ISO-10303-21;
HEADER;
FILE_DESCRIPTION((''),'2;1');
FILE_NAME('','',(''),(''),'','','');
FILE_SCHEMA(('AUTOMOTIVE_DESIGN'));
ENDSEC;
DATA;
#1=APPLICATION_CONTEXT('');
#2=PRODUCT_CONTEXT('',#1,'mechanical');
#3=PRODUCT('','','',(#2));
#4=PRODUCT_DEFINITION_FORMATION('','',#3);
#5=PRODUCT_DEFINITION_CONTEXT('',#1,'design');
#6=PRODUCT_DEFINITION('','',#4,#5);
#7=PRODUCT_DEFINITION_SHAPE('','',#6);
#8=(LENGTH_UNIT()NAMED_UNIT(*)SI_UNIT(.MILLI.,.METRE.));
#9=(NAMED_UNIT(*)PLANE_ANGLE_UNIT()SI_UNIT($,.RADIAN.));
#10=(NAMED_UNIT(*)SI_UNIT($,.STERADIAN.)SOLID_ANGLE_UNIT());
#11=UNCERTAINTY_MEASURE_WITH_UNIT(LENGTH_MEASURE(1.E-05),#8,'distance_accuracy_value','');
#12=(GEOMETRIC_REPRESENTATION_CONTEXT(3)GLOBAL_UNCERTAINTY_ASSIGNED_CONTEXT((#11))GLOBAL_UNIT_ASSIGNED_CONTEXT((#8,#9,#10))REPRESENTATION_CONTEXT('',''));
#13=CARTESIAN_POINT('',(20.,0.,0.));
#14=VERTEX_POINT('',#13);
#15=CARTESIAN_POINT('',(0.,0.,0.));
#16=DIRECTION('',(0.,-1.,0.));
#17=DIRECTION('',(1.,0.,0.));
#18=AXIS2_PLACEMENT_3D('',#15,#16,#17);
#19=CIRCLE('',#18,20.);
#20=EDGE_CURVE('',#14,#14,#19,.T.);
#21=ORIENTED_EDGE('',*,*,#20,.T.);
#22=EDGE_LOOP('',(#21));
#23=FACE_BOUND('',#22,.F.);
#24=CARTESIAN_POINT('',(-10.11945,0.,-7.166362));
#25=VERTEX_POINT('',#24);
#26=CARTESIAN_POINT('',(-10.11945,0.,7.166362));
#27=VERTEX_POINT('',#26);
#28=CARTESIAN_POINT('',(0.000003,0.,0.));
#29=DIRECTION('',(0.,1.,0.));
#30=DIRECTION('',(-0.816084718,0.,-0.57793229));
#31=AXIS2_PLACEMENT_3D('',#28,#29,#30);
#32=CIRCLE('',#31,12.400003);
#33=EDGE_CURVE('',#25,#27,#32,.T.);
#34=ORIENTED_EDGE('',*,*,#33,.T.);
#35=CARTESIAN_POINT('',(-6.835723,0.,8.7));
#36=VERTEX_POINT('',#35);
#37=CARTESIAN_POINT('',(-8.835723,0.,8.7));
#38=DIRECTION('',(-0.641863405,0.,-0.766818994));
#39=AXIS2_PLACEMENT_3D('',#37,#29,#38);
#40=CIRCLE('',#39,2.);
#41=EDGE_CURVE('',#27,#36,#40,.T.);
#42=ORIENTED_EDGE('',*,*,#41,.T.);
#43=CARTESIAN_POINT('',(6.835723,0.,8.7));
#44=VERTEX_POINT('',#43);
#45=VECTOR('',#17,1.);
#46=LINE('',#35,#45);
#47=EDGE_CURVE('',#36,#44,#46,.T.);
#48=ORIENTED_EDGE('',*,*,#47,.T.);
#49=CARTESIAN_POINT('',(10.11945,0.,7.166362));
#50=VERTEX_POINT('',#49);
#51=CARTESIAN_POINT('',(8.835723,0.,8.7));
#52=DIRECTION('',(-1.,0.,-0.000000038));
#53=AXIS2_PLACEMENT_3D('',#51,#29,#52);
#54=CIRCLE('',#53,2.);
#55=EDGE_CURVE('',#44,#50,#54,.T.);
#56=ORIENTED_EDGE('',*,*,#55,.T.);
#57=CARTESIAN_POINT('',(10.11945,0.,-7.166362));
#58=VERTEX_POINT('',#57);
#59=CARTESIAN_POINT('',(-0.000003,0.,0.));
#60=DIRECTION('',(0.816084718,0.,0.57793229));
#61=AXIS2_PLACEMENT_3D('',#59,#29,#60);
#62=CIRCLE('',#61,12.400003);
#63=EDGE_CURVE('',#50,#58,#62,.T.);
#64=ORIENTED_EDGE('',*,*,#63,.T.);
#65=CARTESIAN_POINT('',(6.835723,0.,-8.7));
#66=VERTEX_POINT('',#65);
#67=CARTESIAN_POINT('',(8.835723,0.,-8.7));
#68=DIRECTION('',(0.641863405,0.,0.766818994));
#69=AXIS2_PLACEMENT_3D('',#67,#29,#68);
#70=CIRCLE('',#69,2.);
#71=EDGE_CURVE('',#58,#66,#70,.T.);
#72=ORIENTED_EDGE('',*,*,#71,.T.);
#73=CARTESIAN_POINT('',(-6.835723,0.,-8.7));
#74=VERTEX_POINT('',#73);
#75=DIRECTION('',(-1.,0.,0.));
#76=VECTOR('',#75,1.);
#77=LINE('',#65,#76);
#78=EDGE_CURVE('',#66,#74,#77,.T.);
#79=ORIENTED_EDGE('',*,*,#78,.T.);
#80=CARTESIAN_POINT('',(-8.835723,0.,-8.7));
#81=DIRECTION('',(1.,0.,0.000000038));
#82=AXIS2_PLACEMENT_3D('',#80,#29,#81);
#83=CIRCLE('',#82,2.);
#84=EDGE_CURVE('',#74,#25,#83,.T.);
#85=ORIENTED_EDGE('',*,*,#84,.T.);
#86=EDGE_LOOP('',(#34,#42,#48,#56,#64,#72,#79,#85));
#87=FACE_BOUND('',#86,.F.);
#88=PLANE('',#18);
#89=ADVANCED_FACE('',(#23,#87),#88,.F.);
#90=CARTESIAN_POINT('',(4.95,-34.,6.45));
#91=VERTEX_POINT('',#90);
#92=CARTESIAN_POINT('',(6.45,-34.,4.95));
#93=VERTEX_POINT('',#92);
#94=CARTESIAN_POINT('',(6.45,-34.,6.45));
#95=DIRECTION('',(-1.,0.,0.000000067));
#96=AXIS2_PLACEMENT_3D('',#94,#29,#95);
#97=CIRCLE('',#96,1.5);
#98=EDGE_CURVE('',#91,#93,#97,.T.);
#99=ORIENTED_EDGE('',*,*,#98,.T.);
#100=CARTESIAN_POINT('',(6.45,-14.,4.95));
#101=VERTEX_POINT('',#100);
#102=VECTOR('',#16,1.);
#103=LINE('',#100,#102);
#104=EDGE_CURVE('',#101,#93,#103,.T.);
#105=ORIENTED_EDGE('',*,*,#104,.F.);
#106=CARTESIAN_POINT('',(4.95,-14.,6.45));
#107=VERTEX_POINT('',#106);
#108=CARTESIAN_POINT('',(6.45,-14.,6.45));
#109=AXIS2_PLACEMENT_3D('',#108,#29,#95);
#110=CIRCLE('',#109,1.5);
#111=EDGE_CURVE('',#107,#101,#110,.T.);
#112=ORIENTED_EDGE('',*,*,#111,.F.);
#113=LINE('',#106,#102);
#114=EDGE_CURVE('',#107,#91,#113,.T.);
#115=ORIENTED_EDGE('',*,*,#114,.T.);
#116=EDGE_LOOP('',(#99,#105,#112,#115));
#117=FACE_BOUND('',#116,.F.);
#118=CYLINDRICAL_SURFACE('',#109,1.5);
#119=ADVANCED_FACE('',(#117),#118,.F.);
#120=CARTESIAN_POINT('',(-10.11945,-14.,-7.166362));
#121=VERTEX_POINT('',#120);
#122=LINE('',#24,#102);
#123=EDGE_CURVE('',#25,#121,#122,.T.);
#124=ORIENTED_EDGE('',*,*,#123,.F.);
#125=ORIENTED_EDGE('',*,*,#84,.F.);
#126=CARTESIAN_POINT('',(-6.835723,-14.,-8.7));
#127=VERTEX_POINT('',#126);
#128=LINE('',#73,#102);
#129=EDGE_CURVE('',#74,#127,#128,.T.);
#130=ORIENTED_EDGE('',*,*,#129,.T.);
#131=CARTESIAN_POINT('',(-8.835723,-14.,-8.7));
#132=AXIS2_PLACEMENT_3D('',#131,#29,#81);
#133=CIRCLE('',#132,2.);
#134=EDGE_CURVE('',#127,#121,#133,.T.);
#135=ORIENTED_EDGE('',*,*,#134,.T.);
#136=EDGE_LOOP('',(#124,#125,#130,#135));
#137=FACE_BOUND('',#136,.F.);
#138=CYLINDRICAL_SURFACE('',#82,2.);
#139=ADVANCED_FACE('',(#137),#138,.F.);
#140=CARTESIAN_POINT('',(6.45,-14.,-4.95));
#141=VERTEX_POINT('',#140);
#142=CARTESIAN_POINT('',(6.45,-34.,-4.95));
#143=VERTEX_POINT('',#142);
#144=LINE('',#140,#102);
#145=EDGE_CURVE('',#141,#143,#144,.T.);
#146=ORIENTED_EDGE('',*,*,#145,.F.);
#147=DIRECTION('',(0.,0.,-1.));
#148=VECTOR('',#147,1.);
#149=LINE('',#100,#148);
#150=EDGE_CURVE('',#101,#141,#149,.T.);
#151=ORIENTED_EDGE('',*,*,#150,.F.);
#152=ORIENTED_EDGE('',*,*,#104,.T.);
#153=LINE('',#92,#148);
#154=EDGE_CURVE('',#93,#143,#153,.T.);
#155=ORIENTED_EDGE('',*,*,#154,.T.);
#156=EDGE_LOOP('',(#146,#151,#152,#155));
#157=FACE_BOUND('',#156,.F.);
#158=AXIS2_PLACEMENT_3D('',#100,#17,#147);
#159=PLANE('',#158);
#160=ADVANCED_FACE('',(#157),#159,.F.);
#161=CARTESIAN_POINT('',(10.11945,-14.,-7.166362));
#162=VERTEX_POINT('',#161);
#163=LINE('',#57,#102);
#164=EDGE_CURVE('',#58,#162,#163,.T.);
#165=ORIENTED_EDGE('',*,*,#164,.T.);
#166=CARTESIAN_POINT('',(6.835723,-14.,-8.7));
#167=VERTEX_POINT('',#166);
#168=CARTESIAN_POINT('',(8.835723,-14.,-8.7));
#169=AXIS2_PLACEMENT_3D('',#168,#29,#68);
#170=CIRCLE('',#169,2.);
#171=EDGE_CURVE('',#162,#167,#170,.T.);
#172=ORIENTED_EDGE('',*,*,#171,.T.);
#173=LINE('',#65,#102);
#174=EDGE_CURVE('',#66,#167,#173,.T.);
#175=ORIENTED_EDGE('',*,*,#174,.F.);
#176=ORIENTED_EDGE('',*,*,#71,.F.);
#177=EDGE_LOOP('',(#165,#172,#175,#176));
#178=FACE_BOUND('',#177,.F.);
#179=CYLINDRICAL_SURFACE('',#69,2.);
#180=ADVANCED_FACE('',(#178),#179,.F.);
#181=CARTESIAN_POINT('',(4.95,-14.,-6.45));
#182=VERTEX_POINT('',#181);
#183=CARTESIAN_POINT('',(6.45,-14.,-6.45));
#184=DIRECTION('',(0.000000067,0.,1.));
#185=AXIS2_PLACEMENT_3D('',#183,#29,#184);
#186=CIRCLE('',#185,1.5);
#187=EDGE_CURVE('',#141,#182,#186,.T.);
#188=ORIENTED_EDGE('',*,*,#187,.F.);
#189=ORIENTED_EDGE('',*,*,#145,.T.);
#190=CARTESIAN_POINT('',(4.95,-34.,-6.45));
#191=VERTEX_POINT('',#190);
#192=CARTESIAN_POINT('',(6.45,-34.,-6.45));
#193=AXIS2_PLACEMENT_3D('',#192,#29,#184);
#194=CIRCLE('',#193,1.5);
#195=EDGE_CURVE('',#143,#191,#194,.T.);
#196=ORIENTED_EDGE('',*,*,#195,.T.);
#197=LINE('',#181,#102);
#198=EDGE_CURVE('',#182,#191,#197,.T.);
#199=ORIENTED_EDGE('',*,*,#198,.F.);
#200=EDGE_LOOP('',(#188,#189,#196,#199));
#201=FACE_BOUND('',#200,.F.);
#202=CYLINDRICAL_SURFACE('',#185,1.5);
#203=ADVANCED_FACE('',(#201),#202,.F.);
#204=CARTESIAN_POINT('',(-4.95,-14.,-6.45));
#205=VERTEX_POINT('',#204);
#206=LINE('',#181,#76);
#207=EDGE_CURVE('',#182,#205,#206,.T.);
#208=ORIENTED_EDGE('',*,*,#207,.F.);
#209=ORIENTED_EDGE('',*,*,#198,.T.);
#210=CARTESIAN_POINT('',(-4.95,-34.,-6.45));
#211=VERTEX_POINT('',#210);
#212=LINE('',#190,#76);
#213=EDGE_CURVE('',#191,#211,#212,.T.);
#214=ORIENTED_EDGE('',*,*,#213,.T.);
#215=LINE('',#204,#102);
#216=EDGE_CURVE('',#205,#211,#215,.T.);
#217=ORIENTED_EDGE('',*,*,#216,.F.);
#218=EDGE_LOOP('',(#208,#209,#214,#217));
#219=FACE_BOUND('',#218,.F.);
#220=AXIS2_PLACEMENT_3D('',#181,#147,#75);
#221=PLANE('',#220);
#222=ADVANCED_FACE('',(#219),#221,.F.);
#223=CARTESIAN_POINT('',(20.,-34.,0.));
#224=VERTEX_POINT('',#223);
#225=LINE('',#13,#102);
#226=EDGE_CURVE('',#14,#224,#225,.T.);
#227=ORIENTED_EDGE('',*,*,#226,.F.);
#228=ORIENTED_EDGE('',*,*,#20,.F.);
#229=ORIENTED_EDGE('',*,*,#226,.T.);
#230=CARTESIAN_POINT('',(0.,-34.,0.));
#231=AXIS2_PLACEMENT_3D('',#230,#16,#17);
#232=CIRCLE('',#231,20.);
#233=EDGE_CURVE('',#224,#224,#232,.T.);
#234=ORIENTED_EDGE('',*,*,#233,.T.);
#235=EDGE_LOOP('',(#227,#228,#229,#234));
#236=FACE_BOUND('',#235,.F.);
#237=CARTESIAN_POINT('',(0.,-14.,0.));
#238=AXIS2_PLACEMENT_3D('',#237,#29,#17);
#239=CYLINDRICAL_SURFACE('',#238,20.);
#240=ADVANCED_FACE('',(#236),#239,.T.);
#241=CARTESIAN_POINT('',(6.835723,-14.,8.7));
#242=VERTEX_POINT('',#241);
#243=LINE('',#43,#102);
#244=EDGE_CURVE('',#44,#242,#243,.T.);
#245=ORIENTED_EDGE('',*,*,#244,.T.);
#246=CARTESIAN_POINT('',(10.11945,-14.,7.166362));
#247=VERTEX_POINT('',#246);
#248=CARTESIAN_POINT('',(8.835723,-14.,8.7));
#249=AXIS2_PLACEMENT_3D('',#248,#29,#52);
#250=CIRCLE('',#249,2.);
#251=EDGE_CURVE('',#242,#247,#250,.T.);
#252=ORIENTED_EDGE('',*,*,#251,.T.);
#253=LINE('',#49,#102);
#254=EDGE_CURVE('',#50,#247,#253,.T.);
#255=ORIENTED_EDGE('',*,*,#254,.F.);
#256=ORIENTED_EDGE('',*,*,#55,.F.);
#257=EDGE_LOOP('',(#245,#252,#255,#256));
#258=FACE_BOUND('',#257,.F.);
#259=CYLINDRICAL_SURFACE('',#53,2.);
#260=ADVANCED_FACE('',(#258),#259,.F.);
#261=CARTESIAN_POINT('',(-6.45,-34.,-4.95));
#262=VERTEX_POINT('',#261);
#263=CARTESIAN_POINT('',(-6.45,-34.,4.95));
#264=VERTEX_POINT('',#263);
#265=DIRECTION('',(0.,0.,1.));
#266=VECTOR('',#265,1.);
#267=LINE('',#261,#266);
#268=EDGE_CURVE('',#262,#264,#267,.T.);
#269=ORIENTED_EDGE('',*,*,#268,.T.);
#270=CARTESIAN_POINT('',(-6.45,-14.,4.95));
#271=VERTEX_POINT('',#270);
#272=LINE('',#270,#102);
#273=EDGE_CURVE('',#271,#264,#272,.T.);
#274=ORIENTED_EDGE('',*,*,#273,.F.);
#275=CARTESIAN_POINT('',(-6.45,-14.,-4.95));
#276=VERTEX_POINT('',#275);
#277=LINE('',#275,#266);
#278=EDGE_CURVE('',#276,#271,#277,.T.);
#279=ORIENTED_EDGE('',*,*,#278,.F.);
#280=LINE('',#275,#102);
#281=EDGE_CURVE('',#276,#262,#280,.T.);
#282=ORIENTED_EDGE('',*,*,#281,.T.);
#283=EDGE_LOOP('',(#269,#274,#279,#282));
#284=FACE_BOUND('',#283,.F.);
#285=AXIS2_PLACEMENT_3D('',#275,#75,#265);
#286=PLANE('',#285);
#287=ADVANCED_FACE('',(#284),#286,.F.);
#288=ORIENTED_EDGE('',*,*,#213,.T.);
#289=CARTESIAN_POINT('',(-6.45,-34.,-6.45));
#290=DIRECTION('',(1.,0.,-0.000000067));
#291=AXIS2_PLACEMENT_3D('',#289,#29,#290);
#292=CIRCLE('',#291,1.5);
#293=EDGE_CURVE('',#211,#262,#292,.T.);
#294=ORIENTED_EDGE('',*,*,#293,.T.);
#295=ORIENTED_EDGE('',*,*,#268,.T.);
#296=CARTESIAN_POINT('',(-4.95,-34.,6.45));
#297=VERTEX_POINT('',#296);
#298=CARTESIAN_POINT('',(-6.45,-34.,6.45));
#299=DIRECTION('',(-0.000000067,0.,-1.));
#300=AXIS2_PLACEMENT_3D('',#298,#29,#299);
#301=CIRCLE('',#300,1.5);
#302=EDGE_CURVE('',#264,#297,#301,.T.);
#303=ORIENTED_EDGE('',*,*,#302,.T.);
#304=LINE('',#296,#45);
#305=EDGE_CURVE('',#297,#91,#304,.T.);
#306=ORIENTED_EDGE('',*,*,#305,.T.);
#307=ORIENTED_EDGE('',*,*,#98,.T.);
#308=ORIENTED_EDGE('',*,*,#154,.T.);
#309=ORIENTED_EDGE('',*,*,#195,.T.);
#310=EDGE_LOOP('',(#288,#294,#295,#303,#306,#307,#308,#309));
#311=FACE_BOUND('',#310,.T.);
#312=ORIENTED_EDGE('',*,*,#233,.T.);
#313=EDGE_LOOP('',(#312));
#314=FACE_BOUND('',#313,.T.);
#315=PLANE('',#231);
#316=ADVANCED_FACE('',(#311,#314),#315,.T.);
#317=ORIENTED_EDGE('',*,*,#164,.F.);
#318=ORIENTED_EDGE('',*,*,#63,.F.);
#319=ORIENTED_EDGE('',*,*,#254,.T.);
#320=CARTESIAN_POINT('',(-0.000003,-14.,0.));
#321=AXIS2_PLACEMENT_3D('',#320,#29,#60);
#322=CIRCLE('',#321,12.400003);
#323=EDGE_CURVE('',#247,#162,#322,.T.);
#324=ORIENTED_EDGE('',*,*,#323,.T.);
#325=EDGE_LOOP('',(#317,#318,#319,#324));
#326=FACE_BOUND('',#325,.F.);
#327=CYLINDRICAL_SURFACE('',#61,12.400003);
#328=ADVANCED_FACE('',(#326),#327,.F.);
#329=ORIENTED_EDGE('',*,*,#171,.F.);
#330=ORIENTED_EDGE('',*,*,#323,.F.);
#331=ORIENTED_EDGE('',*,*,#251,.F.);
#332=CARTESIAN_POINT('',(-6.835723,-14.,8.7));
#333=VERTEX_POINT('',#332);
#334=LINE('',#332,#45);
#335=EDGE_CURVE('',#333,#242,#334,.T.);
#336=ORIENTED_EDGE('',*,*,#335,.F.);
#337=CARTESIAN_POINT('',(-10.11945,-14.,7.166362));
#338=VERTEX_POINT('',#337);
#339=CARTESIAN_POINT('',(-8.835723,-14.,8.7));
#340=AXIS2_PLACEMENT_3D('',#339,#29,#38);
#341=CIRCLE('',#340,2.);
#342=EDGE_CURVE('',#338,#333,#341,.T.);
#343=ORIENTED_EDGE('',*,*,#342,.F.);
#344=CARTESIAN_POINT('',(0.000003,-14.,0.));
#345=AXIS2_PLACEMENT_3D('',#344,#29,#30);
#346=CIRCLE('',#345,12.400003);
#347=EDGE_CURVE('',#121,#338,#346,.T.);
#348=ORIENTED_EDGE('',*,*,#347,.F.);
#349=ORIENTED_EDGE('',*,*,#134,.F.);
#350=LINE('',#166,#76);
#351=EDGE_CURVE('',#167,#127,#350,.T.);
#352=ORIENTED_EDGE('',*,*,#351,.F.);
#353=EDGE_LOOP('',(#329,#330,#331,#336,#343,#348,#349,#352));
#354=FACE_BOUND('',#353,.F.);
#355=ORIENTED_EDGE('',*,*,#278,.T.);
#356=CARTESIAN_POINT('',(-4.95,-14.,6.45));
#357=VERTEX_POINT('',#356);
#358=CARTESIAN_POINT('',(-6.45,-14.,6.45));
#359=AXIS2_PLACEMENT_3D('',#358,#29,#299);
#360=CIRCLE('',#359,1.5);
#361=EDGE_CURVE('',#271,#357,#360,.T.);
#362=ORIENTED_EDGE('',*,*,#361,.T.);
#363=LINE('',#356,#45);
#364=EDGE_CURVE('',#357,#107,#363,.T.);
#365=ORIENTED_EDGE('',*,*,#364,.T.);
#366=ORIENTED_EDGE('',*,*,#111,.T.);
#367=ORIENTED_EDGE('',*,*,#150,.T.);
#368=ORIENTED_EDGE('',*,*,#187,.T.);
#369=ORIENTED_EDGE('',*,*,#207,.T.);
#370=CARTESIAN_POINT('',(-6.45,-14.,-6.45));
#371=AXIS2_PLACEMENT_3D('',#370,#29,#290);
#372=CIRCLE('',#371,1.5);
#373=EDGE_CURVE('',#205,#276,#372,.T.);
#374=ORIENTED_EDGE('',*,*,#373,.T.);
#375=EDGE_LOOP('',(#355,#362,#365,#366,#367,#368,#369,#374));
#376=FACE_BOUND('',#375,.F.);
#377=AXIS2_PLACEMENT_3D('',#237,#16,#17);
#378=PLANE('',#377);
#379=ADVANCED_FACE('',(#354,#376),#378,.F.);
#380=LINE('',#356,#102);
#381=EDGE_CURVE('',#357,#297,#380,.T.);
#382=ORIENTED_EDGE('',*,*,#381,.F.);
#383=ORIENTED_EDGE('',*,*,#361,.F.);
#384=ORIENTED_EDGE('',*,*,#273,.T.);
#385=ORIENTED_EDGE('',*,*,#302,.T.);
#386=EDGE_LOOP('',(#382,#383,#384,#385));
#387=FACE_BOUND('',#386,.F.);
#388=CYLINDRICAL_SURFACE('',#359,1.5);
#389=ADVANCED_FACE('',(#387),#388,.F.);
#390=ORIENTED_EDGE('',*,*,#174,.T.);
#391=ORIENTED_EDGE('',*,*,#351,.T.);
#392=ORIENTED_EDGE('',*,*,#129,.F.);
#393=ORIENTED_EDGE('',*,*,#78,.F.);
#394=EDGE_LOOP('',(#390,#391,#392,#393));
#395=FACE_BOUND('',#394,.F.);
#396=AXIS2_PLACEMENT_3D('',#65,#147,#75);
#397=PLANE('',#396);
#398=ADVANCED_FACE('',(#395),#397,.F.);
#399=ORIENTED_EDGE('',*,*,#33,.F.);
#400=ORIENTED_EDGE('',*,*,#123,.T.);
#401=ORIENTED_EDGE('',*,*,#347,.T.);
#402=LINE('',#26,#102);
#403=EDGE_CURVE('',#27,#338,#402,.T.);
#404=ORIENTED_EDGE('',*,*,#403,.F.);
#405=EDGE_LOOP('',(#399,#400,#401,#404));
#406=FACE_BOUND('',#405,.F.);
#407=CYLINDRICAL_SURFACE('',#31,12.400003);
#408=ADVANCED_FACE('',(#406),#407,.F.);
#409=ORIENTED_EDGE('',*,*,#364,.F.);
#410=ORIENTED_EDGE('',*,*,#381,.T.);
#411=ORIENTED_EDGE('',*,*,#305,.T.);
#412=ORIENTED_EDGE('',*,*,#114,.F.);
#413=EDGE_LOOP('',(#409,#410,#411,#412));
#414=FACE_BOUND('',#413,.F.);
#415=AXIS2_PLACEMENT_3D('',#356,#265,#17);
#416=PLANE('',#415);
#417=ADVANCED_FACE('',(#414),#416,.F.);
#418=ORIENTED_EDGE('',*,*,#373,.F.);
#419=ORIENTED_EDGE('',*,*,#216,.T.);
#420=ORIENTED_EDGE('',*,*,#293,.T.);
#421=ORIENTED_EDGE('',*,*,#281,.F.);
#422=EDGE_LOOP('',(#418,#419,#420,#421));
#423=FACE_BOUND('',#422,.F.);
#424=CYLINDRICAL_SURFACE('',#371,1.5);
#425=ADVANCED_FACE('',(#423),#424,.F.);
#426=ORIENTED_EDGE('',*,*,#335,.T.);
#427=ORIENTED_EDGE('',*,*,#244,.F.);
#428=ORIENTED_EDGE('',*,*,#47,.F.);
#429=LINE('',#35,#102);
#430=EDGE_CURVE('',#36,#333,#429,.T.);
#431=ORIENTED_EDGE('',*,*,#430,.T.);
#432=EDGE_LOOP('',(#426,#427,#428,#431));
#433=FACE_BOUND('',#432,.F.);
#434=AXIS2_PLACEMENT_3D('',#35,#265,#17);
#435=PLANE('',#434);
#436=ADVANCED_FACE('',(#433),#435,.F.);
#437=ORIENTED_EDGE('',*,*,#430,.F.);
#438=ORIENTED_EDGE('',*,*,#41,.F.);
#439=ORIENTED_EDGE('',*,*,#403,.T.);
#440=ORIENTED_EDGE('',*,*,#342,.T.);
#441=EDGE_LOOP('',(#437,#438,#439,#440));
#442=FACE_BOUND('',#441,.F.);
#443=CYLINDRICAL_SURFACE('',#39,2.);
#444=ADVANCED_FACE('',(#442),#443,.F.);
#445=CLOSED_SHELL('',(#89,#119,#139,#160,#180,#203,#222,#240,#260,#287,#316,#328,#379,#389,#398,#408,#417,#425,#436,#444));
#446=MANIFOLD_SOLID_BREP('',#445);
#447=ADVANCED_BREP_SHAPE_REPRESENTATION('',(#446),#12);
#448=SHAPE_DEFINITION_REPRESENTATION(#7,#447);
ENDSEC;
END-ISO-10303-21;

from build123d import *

# Parameters (mm, degrees)
F0_R     = 20
F1_DEPTH = 14
F2_R     = 20
F3_DEPTH = 20


with BuildPart() as f1:
    # F0 (on Front) → F1 (new body)
    with BuildSketch(Plane.XZ):
        Circle(F0_R)
        with BuildLine():
            ThreePointArc((-10.11945, -7.166362), (-12.4, 0), (-10.11945, 7.166362))
            ThreePointArc((-10.11945, 7.166362), (-9.682052, 10.512106), (-6.835723, 8.7))
            Line((-6.835723, 8.7), (6.835723, 8.7))
            ThreePointArc((6.835723, 8.7), (9.682052, 10.512106), (10.11945, 7.166362))
            ThreePointArc((10.11945, 7.166362), (12.4, 0), (10.11945, -7.166362))
            ThreePointArc((10.11945, -7.166362), (9.682052, -10.512106), (6.835723, -8.7))
            Line((6.835723, -8.7), (-6.835723, -8.7))
            ThreePointArc((-6.835723, -8.7), (-9.682052, -10.512106), (-10.11945, -7.166362))
        make_face(mode=Mode.SUBTRACT)
    extrude(amount=F1_DEPTH)

    # F2 (on face) → F3 (join)
    with BuildSketch(Plane.XZ.offset(14)):
        Circle(F2_R)
        with BuildLine():
            ThreePointArc((-6.45, 4.95), (-7.51066, 7.51066), (-4.95, 6.45))
            Line((-4.95, 6.45), (4.95, 6.45))
            ThreePointArc((4.95, 6.45), (7.51066, 7.51066), (6.45, 4.95))
            Line((6.45, 4.95), (6.45, -4.95))
            ThreePointArc((6.45, -4.95), (7.51066, -7.51066), (4.95, -6.45))
            Line((4.95, -6.45), (-4.95, -6.45))
            ThreePointArc((-4.95, -6.45), (-7.51066, -7.51066), (-6.45, -4.95))
            Line((-6.45, -4.95), (-6.45, 4.95))
        make_face(mode=Mode.SUBTRACT)
    extrude(amount=F3_DEPTH)


solid = f1.part
